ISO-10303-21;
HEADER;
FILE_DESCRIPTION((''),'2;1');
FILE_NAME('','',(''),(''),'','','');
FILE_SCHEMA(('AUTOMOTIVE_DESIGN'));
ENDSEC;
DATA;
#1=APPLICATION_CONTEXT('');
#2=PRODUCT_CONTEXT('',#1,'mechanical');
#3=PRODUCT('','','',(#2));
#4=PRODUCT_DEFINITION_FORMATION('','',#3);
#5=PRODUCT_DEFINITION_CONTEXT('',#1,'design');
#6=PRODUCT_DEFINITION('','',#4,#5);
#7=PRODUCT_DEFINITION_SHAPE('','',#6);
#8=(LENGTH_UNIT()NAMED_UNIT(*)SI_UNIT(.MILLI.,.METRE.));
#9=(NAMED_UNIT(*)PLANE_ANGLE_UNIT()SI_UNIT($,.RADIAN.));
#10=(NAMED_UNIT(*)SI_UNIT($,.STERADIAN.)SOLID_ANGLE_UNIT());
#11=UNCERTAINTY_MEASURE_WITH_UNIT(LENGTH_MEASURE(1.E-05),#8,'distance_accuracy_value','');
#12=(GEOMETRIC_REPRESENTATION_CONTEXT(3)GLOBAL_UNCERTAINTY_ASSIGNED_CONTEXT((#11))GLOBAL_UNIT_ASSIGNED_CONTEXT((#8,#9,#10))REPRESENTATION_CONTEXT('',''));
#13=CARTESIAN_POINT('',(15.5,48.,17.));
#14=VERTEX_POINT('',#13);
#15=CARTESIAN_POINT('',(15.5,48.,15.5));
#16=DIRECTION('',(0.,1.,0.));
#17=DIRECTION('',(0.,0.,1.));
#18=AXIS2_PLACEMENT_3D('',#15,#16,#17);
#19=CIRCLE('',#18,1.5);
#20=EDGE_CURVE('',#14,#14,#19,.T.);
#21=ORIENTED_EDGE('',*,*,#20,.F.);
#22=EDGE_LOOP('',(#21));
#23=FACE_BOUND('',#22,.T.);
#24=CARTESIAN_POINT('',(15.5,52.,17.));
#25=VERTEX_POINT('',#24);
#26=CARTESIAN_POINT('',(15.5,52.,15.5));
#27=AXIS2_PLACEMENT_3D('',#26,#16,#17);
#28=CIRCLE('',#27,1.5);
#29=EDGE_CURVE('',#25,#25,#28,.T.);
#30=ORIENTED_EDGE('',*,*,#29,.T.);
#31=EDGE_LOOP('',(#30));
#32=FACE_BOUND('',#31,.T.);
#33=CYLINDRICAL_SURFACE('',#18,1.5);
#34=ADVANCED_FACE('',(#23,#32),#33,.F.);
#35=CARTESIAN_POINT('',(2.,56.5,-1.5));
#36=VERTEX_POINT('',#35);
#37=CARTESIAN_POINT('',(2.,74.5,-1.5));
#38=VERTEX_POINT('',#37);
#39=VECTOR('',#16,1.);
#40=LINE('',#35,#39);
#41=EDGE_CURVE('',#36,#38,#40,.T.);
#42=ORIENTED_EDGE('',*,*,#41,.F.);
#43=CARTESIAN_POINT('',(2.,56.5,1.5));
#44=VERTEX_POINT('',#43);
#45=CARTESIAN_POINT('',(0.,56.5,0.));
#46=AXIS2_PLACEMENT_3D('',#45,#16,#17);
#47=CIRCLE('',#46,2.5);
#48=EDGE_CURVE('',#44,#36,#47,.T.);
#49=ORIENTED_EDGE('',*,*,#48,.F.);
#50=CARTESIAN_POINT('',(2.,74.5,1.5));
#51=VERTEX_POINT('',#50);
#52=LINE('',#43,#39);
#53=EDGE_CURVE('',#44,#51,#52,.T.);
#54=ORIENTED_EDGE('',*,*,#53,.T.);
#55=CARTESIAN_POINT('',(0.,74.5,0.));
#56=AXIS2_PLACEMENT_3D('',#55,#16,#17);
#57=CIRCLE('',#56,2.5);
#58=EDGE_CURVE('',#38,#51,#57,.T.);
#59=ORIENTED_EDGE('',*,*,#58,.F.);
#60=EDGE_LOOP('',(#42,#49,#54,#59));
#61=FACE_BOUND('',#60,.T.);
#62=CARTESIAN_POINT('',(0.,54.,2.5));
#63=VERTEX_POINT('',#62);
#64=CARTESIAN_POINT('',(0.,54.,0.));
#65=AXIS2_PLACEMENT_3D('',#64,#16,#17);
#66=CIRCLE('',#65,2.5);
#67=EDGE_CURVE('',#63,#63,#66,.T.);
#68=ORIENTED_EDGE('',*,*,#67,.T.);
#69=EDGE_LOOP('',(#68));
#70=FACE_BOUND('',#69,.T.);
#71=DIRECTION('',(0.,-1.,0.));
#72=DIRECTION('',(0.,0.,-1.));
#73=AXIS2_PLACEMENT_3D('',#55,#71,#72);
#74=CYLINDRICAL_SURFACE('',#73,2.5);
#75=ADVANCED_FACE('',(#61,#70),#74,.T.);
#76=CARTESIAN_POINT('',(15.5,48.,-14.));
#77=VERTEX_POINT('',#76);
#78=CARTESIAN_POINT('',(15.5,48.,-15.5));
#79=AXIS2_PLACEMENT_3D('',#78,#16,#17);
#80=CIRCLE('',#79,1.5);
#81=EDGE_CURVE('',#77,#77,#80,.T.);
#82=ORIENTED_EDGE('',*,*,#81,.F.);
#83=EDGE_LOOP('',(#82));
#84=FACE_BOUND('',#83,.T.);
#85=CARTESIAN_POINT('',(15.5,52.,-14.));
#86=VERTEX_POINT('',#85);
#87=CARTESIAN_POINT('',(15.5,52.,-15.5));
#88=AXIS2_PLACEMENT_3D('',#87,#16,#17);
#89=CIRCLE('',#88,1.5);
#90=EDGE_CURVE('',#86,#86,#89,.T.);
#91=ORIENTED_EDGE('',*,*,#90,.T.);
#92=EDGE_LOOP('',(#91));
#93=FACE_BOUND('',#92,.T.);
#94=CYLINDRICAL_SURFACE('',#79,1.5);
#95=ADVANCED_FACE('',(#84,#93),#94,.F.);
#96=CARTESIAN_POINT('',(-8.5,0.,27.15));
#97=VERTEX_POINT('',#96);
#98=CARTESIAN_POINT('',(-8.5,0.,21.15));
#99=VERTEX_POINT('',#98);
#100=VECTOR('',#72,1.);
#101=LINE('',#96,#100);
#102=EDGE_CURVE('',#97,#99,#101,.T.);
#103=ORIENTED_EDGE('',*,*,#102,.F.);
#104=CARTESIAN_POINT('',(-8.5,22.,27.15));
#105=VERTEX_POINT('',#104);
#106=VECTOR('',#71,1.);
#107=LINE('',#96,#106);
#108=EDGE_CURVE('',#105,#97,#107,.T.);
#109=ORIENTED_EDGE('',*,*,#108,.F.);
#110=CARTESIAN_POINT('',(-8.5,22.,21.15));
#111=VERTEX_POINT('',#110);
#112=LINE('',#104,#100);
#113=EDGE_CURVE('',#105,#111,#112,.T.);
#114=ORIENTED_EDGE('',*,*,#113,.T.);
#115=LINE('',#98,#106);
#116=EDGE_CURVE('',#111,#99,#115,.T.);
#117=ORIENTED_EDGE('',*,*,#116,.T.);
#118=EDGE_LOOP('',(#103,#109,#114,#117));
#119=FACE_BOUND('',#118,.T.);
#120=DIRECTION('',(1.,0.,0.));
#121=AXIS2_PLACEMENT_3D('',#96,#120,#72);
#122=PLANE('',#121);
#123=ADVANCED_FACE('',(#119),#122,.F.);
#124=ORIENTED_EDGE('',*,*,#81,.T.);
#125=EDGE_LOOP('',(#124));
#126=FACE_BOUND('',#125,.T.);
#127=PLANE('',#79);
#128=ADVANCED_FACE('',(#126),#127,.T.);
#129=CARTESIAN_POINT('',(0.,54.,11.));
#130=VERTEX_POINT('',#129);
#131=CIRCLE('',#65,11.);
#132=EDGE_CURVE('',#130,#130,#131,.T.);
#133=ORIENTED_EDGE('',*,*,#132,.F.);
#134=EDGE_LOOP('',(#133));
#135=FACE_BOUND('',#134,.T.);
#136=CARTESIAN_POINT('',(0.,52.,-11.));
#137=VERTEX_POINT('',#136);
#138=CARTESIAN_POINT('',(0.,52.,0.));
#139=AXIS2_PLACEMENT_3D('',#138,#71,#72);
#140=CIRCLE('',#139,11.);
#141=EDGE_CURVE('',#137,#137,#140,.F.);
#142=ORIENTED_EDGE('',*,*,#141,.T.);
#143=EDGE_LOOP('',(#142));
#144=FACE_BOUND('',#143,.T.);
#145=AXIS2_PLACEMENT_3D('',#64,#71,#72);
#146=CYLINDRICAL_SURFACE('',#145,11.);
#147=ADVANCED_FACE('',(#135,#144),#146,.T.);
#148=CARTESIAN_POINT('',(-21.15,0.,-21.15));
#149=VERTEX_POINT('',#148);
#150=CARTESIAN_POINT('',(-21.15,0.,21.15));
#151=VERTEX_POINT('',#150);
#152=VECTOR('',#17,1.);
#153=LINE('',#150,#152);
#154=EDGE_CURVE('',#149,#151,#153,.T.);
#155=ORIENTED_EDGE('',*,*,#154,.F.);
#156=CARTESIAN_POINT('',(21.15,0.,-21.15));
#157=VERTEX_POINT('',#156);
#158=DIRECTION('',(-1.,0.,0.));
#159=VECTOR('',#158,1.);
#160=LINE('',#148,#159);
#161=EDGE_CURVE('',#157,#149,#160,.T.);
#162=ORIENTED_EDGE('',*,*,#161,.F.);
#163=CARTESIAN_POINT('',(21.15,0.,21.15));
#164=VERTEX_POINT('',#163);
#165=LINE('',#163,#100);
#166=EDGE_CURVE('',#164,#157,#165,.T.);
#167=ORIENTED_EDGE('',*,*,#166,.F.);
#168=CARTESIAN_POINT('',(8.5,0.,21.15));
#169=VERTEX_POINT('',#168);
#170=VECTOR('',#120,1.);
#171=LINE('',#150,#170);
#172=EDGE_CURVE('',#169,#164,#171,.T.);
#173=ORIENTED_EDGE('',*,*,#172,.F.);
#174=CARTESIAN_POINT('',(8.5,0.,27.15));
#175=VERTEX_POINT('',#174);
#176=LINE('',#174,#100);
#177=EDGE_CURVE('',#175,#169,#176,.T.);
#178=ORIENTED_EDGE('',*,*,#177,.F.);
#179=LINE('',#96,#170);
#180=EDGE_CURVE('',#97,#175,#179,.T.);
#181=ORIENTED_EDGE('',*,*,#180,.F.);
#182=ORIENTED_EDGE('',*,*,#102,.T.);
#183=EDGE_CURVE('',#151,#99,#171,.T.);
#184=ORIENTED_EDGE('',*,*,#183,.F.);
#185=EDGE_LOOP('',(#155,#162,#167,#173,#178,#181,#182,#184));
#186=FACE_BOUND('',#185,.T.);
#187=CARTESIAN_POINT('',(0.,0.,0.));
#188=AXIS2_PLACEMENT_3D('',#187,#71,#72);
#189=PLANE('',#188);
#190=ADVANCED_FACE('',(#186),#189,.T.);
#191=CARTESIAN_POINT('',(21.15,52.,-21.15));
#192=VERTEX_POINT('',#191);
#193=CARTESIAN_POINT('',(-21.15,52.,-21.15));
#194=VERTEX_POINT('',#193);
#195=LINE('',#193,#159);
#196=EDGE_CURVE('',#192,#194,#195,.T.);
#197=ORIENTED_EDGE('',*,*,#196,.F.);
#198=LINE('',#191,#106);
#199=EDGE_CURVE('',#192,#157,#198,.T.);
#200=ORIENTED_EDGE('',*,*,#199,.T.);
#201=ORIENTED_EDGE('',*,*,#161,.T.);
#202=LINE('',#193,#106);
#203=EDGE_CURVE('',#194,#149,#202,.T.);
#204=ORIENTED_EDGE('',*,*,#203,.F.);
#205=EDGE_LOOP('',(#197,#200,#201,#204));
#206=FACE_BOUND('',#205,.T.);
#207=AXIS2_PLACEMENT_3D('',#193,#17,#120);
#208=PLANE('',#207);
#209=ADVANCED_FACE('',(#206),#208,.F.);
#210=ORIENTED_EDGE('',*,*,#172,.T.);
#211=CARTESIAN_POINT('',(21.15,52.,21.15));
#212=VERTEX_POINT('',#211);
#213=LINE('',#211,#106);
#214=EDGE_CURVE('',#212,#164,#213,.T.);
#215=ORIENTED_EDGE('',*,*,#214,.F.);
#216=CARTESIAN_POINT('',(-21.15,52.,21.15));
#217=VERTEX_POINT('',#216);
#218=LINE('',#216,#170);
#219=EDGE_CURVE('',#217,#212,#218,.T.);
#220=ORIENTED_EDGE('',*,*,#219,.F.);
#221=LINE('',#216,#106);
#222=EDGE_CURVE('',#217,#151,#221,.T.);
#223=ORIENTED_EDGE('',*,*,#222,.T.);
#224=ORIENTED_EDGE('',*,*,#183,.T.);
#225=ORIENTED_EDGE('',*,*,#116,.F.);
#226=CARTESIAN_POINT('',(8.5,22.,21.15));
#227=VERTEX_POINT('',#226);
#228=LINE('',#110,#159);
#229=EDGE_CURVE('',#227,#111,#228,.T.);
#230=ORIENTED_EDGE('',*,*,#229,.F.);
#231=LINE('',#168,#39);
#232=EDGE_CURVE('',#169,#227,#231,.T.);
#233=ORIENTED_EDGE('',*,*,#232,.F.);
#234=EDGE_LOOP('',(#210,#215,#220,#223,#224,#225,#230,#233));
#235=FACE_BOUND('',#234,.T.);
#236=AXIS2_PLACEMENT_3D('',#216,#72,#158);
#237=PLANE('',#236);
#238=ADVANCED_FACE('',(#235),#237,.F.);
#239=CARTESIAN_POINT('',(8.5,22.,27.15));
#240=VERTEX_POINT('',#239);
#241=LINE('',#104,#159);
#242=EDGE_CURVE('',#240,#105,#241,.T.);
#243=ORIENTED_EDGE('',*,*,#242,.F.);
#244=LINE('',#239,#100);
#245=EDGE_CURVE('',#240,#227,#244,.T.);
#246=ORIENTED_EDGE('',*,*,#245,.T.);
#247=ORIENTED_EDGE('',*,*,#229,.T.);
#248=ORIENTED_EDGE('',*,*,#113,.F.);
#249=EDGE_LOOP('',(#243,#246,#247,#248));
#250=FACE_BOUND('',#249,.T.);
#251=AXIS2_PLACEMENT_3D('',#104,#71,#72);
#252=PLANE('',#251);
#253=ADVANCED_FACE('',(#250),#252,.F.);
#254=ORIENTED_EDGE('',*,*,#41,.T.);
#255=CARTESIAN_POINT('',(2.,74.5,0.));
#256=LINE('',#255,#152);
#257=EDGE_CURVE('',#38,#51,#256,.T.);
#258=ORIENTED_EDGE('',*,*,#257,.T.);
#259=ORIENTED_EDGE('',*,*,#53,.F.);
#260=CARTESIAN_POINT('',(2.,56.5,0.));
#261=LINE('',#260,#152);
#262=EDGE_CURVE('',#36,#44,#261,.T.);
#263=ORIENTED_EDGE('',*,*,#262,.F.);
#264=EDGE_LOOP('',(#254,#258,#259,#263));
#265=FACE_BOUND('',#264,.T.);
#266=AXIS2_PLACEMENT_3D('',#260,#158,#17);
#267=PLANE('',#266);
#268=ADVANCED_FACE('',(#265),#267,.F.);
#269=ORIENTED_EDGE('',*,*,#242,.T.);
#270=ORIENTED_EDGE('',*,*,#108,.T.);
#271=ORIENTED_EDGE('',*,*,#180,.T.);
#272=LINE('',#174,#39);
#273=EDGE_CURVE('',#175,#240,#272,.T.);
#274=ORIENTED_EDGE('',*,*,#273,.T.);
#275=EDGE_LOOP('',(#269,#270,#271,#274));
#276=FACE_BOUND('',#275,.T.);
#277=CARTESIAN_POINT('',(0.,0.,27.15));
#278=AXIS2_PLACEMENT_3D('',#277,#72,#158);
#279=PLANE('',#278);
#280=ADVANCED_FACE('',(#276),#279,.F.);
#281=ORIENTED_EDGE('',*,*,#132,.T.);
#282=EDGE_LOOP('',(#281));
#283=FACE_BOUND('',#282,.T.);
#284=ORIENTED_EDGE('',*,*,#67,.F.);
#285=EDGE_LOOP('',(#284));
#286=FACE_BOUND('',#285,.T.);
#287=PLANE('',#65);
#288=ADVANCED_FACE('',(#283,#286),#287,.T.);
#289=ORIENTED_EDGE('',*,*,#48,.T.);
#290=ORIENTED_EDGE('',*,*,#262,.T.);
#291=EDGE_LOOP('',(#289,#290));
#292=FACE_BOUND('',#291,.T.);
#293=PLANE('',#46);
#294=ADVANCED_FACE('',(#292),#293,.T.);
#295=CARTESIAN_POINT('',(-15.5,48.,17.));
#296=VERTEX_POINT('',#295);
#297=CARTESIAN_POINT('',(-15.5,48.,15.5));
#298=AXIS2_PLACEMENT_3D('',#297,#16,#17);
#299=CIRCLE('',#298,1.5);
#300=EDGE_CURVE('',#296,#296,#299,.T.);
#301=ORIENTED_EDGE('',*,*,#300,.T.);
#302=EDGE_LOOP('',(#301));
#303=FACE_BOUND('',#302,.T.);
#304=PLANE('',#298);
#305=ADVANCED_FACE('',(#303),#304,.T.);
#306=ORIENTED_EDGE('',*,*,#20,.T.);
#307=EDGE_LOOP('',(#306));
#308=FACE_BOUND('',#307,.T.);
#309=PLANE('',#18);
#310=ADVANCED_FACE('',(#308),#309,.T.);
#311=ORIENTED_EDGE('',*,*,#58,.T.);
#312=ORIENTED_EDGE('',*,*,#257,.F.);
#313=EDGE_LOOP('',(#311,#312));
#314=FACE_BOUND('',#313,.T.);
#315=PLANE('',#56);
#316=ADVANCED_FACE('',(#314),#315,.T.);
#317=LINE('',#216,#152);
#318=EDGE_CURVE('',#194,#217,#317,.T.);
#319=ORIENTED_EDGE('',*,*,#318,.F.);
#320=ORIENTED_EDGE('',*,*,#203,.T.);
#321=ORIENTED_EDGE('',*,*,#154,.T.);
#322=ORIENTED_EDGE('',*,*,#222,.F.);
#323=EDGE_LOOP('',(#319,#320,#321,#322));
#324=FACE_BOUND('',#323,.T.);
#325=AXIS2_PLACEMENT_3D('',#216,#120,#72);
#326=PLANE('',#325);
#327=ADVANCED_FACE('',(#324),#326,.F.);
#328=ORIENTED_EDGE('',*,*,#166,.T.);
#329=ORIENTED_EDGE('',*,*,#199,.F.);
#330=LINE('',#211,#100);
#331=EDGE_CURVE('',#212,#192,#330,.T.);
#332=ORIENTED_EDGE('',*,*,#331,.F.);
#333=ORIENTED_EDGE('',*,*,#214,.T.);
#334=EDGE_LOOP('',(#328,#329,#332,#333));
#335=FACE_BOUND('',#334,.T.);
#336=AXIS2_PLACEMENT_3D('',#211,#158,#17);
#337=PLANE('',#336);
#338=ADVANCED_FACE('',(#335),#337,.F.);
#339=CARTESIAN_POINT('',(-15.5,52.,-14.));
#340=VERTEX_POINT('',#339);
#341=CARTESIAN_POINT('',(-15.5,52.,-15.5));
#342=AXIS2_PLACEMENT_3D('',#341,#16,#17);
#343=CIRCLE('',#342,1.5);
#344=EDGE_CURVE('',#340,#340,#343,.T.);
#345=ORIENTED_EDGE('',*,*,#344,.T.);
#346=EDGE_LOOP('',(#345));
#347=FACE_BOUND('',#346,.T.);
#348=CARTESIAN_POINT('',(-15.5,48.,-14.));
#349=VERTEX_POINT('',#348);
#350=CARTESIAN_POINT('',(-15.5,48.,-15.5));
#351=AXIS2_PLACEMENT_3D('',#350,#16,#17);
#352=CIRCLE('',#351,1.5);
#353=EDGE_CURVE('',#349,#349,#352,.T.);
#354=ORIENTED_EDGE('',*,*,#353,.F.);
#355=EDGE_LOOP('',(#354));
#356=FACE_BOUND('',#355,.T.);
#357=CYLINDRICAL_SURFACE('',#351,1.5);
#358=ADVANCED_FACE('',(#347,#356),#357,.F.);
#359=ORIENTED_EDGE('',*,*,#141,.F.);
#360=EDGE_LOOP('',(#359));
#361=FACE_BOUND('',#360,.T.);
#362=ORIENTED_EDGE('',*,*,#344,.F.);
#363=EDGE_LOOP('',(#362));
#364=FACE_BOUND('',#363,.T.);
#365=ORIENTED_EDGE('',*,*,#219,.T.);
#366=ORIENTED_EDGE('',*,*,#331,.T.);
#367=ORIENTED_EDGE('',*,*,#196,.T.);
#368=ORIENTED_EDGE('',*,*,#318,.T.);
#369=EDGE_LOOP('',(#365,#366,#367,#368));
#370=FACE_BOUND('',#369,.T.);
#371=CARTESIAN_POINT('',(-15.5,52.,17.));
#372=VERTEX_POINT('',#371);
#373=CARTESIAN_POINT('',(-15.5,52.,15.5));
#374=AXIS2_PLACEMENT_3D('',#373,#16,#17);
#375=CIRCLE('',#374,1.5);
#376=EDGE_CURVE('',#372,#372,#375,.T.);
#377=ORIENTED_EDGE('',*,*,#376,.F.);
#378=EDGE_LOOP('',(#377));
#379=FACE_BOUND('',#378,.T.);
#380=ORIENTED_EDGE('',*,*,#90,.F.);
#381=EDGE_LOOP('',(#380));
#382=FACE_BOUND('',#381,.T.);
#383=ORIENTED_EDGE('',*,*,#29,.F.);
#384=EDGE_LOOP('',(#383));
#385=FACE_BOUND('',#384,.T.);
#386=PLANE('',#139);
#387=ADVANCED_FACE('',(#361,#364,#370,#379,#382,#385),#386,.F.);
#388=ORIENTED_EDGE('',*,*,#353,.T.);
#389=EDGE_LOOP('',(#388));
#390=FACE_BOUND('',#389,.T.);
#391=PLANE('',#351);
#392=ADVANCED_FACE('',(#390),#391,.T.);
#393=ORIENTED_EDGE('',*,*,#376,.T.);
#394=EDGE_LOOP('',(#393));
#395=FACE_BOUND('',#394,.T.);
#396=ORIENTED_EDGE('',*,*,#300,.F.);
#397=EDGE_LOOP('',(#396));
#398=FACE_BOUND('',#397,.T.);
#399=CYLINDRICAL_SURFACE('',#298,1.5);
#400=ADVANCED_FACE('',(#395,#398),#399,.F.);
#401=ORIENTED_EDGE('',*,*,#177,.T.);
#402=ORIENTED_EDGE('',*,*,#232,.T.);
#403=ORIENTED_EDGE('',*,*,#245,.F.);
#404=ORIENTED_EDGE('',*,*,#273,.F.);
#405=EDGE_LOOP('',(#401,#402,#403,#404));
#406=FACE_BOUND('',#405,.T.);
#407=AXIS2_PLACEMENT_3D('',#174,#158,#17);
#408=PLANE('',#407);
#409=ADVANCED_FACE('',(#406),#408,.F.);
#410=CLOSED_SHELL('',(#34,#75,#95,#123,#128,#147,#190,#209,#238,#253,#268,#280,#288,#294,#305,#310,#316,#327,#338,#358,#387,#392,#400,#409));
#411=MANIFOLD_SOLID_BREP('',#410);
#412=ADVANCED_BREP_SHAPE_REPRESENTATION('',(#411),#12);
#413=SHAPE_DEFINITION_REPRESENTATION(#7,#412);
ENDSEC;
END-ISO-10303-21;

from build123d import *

# Parameters (mm, degrees)
SKETCH_1_W          = 42.3
SKETCH_1_H          = 42.3
EXTRUDE_1_DEPTH     = 52
SKETCH_2_R          = 1.5
CUT_EXTRUDE_1_DEPTH = 4
SKETCH_3_R          = 11
EXTRUDE_2_DEPTH     = 2
SKETCH_4_R          = 2.5
EXTRUDE_3_DEPTH     = 20.5
CUT_EXTRUDE_START   = -18
CUT_EXTRUDE_4_DEPTH = 18
SKETCH_6_W          = 17
SKETCH_6_H          = 22
EXTRUDE_4_DEPTH     = 6


with BuildPart() as part:
    # 草图1 → 凸台-拉伸1 (new body)
    with BuildSketch(Plane(origin=(0, 0, 0), x_dir=(1, 0, 0), z_dir=(0, 1, 0))):
        Rectangle(SKETCH_1_W, SKETCH_1_H)
    extrude(amount=EXTRUDE_1_DEPTH)

    # 草图2 → 切除-拉伸1 (cut)
    with BuildSketch(Plane(origin=(0, 52, 0), x_dir=(1, 0, 0), z_dir=(0, 1, 0))):
        with Locations(Location((-15.5, 15.5, 0), (0, 0, 270))):
            Circle(SKETCH_2_R)
        with Locations(Location((15.5, 15.5, 0), (0, 0, 270))):
            Circle(SKETCH_2_R)
        with Locations(Location((15.5, -15.5, 0), (0, 0, 270))):
            Circle(SKETCH_2_R)
        with Locations(Location((-15.5, -15.5, 0), (0, 0, 270))):
            Circle(SKETCH_2_R)
    extrude(amount=-CUT_EXTRUDE_1_DEPTH, mode=Mode.SUBTRACT)

    # 草图3 → 凸台-拉伸2 (add)
    with BuildSketch(Plane(origin=(0, 52, 0), x_dir=(1, 0, 0), z_dir=(0, 1, 0))):
        with Locations(Location((0, 0, 0), (0, 0, 90))):
            Circle(SKETCH_3_R)
    extrude(amount=EXTRUDE_2_DEPTH)

    # 草图4 → 凸台-拉伸3 (add)
    with BuildSketch(Plane(origin=(0, 54, 0), x_dir=(1, 0, 0), z_dir=(0, 1, 0))):
        with Locations(Location((0, 0, 0), (0, 0, 270))):
            Circle(SKETCH_4_R)
    extrude(amount=EXTRUDE_3_DEPTH)

    # 草图5 → 切除-拉伸4 (cut)
    with BuildSketch(Plane(origin=(0, 74.5, 0), x_dir=(1, 0, 0), z_dir=(0, 1, 0)).offset(CUT_EXTRUDE_START)):
        with BuildLine():
            Line((2, 1.5), (2, -1.5))
            ThreePointArc((2, -1.5), (2.5, 0), (2, 1.5))
        make_face()
    extrude(amount=CUT_EXTRUDE_4_DEPTH, mode=Mode.SUBTRACT)

    # 草图6 → 凸台-拉伸4 (add)
    with BuildSketch(Plane.XY.offset(21.15)):
        with Locations((0, 11)):
            Rectangle(SKETCH_6_W, SKETCH_6_H)
    extrude(amount=EXTRUDE_4_DEPTH)


solid = part.part
